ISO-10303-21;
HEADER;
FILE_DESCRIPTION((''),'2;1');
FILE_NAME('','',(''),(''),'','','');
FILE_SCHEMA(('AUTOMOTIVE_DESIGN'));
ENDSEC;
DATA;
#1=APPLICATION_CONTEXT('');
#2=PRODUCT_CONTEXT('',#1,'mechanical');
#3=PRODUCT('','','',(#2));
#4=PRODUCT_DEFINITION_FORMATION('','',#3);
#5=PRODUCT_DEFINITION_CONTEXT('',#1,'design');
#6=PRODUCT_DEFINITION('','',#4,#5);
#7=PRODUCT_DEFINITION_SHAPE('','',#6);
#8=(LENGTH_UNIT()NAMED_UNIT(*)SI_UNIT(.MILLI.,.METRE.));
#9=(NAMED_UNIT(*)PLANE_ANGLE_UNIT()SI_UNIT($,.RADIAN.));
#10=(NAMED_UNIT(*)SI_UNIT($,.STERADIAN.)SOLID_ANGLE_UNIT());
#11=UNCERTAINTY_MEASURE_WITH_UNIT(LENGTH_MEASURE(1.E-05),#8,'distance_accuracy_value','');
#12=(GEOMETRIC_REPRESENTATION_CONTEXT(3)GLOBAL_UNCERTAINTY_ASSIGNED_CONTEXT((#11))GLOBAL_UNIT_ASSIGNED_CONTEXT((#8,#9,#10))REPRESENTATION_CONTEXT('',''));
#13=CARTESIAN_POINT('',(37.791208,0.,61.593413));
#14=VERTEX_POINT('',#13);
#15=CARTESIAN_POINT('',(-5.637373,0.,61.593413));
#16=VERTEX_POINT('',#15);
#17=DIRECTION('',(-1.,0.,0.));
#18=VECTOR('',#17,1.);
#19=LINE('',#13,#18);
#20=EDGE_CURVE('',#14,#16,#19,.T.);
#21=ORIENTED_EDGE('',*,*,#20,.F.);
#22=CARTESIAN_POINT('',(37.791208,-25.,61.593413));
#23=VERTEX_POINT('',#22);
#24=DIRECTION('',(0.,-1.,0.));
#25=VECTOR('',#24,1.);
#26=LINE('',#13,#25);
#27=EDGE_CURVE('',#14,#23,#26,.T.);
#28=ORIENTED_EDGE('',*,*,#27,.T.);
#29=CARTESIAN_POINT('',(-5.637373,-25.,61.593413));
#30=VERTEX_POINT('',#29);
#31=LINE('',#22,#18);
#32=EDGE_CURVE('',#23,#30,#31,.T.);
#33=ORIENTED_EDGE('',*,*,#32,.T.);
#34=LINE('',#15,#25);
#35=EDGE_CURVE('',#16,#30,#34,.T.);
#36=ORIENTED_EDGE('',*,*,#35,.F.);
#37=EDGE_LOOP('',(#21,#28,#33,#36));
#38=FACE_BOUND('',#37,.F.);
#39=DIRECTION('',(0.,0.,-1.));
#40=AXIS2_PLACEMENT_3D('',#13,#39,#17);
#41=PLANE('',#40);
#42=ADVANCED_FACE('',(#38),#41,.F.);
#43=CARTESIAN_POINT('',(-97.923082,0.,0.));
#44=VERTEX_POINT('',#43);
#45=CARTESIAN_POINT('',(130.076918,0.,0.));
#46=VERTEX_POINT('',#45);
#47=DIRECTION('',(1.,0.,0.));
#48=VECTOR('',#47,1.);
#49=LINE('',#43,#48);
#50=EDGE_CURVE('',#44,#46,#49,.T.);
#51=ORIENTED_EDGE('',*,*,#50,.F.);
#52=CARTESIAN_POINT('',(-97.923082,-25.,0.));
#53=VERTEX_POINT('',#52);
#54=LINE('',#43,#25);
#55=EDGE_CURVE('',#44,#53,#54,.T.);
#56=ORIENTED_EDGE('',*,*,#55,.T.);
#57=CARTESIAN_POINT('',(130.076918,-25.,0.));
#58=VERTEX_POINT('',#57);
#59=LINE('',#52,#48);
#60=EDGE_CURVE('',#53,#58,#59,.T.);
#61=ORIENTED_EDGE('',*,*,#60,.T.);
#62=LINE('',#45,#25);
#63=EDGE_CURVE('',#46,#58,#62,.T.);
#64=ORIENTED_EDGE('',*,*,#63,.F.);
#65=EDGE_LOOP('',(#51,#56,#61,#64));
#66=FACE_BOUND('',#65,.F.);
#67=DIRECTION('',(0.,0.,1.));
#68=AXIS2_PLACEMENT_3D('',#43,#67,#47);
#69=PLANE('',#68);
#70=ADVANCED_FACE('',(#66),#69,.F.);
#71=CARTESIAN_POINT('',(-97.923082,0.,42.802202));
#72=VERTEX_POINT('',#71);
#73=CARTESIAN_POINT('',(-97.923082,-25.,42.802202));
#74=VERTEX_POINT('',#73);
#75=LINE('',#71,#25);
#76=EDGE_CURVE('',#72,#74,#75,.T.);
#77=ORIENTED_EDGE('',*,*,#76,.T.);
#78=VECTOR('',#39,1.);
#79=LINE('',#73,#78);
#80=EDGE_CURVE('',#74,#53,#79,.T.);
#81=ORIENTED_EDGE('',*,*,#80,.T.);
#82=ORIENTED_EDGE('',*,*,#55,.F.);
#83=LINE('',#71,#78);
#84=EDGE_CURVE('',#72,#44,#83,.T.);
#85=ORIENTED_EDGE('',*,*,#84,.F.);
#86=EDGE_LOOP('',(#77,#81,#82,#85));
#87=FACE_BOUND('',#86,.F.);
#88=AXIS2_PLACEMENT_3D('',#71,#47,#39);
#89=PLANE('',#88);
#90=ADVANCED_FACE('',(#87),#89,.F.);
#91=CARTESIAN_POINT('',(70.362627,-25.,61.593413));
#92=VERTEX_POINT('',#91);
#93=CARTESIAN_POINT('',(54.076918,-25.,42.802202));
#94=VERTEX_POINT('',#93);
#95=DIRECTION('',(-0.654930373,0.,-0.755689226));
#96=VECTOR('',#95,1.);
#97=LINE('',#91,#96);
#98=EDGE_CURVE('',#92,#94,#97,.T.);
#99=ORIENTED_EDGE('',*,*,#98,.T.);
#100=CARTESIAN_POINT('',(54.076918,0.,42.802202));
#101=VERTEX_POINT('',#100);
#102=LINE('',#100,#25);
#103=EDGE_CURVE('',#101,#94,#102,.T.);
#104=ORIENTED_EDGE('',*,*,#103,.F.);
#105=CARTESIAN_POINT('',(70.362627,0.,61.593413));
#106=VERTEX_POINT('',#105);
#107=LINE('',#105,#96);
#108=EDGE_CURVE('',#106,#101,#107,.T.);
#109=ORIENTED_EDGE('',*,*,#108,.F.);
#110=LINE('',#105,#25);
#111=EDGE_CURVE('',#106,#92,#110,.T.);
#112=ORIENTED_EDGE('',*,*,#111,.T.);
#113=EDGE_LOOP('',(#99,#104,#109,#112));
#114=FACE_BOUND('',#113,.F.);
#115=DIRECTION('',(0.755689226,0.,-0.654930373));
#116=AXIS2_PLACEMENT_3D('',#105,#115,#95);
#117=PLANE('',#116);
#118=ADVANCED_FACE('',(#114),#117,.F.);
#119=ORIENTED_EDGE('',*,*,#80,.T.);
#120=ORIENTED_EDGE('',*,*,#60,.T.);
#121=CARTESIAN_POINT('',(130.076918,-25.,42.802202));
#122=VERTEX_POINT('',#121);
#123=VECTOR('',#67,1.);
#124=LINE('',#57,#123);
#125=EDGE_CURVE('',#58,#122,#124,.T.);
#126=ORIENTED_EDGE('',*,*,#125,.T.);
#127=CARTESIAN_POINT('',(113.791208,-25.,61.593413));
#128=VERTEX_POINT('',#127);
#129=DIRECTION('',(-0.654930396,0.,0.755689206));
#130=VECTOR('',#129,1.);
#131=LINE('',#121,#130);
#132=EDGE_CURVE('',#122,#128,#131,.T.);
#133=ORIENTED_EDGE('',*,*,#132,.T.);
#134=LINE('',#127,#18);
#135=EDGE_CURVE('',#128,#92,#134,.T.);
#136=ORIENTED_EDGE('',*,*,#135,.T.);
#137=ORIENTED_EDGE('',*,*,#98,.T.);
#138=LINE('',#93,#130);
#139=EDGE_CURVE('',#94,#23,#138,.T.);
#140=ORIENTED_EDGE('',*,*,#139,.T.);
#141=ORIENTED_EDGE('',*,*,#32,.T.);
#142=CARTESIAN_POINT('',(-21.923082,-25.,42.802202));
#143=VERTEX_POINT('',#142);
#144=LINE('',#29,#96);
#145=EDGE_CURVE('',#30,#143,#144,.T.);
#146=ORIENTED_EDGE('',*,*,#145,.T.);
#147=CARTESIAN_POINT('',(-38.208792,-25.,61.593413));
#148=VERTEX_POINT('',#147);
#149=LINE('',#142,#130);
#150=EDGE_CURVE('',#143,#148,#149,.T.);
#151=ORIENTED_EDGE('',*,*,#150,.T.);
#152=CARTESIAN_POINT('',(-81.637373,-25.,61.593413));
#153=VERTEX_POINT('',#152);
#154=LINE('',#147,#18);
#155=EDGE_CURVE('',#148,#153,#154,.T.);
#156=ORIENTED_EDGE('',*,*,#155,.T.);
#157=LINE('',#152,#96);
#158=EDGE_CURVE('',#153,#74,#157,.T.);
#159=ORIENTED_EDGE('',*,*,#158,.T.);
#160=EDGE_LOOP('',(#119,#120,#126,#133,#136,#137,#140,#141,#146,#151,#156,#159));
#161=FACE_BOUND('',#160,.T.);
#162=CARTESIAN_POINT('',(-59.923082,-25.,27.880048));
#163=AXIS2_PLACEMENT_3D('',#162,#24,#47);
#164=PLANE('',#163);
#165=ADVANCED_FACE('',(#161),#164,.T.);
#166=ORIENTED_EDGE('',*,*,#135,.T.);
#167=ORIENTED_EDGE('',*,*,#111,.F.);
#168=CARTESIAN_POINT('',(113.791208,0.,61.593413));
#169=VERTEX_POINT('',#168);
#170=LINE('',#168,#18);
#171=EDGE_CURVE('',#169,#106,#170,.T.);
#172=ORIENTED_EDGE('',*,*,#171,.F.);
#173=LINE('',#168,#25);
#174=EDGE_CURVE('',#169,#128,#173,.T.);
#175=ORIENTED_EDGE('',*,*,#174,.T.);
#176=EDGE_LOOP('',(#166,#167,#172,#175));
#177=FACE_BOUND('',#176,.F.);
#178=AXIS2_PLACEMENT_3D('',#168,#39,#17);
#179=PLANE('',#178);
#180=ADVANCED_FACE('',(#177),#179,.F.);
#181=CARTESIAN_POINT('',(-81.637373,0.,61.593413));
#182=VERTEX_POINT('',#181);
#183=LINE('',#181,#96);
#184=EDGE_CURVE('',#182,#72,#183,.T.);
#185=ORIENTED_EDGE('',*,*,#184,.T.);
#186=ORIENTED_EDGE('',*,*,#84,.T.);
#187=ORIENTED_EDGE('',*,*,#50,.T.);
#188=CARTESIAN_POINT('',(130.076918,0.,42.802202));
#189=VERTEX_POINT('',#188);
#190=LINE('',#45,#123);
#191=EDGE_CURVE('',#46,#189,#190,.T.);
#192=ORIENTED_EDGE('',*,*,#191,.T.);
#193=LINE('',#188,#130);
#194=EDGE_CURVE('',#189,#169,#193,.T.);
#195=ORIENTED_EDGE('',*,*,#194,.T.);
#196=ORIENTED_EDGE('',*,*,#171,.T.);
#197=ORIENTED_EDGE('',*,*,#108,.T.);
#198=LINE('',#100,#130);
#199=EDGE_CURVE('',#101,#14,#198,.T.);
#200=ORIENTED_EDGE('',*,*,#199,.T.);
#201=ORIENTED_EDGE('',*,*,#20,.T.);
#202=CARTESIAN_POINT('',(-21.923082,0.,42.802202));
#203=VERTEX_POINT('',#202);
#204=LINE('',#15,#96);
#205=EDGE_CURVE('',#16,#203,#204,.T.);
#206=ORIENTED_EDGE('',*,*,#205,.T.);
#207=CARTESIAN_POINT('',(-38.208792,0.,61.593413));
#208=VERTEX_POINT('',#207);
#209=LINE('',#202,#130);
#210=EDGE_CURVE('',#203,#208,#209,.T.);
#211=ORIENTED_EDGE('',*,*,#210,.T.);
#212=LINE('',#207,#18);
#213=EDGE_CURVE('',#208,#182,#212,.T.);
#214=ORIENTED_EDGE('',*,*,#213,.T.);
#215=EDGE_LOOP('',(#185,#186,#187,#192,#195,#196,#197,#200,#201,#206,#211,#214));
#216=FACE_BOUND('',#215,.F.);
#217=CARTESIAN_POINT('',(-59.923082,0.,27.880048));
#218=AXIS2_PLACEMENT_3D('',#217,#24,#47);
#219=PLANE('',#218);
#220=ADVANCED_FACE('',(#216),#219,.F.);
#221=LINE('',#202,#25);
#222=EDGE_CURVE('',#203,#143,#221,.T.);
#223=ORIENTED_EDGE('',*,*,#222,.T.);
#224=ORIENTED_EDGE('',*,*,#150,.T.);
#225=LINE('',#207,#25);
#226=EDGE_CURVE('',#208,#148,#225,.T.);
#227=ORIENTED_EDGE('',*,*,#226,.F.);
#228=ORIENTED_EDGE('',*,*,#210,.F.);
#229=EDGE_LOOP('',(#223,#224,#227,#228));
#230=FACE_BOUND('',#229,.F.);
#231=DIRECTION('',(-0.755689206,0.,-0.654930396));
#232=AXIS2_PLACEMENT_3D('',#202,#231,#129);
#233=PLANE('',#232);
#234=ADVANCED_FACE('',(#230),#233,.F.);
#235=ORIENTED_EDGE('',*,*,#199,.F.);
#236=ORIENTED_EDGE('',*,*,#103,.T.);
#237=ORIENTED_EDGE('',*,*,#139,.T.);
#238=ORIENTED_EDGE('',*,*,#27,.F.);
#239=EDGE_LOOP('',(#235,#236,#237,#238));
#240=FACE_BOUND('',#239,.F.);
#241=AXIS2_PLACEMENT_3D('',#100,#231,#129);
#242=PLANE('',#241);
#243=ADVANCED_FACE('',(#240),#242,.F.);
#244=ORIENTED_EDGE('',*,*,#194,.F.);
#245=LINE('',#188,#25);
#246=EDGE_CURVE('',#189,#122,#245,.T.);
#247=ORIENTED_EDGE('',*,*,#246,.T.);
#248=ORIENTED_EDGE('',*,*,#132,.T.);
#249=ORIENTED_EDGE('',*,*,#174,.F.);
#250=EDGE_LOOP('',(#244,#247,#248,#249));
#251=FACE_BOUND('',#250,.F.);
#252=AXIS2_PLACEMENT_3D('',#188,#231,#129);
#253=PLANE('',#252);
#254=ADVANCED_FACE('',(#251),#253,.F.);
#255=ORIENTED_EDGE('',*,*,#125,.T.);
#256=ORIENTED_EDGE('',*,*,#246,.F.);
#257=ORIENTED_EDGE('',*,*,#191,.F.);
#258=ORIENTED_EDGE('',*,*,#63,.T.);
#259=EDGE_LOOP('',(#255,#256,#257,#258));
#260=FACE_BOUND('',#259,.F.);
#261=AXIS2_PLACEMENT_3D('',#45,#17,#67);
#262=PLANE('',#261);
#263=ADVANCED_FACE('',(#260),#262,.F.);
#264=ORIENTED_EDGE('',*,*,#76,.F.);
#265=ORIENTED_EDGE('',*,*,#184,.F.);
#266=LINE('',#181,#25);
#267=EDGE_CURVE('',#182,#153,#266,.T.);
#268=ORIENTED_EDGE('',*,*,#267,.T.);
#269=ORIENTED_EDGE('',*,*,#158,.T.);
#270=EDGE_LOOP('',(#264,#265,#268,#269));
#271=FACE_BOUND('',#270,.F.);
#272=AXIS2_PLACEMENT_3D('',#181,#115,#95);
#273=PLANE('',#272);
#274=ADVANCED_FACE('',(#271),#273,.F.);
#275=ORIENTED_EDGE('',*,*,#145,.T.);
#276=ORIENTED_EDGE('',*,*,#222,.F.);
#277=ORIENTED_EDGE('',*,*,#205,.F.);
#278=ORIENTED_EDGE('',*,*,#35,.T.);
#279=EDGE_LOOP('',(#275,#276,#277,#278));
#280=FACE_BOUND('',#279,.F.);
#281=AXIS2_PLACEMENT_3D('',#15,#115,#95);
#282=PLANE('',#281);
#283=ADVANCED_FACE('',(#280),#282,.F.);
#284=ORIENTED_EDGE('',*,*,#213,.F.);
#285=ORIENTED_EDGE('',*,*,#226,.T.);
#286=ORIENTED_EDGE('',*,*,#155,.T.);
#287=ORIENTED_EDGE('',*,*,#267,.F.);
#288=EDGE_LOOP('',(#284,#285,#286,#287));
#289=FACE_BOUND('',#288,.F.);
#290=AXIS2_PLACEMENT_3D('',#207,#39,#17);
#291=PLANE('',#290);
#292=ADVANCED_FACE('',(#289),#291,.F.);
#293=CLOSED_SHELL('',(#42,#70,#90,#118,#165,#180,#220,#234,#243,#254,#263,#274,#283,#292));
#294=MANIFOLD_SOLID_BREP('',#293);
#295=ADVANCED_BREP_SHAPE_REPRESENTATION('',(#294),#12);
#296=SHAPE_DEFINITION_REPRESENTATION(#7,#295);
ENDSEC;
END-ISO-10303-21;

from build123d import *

# Parameters (mm, degrees)
F1_DEPTH = 25


with BuildPart() as f1:
    # F0 (on Front) → F1 (new body)
    with BuildSketch(Plane.XZ):
        Polygon((-97.923082, 42.802202), (-97.923082, 0), (-66.604404, 0), (-21.923082, 0), (-21.923082, 42.802202), (-38.208792, 61.593413), (-59.923082, 61.593413), (-81.637373, 61.593413), align=None)
        Polygon((-21.923082, 42.802202), (-21.923082, 0), (9.395596, 0), (54.076918, 0), (54.076918, 42.802202), (37.791208, 61.593413), (16.076918, 61.593413), (-5.637373, 61.593413), align=None)
        Polygon((54.076918, 42.802202), (54.076918, 0), (130.076918, 0), (130.076918, 42.802202), (113.791208, 61.593413), (92.076918, 61.593413), (70.362627, 61.593413), align=None)
    extrude(amount=F1_DEPTH)


solid = f1.part
